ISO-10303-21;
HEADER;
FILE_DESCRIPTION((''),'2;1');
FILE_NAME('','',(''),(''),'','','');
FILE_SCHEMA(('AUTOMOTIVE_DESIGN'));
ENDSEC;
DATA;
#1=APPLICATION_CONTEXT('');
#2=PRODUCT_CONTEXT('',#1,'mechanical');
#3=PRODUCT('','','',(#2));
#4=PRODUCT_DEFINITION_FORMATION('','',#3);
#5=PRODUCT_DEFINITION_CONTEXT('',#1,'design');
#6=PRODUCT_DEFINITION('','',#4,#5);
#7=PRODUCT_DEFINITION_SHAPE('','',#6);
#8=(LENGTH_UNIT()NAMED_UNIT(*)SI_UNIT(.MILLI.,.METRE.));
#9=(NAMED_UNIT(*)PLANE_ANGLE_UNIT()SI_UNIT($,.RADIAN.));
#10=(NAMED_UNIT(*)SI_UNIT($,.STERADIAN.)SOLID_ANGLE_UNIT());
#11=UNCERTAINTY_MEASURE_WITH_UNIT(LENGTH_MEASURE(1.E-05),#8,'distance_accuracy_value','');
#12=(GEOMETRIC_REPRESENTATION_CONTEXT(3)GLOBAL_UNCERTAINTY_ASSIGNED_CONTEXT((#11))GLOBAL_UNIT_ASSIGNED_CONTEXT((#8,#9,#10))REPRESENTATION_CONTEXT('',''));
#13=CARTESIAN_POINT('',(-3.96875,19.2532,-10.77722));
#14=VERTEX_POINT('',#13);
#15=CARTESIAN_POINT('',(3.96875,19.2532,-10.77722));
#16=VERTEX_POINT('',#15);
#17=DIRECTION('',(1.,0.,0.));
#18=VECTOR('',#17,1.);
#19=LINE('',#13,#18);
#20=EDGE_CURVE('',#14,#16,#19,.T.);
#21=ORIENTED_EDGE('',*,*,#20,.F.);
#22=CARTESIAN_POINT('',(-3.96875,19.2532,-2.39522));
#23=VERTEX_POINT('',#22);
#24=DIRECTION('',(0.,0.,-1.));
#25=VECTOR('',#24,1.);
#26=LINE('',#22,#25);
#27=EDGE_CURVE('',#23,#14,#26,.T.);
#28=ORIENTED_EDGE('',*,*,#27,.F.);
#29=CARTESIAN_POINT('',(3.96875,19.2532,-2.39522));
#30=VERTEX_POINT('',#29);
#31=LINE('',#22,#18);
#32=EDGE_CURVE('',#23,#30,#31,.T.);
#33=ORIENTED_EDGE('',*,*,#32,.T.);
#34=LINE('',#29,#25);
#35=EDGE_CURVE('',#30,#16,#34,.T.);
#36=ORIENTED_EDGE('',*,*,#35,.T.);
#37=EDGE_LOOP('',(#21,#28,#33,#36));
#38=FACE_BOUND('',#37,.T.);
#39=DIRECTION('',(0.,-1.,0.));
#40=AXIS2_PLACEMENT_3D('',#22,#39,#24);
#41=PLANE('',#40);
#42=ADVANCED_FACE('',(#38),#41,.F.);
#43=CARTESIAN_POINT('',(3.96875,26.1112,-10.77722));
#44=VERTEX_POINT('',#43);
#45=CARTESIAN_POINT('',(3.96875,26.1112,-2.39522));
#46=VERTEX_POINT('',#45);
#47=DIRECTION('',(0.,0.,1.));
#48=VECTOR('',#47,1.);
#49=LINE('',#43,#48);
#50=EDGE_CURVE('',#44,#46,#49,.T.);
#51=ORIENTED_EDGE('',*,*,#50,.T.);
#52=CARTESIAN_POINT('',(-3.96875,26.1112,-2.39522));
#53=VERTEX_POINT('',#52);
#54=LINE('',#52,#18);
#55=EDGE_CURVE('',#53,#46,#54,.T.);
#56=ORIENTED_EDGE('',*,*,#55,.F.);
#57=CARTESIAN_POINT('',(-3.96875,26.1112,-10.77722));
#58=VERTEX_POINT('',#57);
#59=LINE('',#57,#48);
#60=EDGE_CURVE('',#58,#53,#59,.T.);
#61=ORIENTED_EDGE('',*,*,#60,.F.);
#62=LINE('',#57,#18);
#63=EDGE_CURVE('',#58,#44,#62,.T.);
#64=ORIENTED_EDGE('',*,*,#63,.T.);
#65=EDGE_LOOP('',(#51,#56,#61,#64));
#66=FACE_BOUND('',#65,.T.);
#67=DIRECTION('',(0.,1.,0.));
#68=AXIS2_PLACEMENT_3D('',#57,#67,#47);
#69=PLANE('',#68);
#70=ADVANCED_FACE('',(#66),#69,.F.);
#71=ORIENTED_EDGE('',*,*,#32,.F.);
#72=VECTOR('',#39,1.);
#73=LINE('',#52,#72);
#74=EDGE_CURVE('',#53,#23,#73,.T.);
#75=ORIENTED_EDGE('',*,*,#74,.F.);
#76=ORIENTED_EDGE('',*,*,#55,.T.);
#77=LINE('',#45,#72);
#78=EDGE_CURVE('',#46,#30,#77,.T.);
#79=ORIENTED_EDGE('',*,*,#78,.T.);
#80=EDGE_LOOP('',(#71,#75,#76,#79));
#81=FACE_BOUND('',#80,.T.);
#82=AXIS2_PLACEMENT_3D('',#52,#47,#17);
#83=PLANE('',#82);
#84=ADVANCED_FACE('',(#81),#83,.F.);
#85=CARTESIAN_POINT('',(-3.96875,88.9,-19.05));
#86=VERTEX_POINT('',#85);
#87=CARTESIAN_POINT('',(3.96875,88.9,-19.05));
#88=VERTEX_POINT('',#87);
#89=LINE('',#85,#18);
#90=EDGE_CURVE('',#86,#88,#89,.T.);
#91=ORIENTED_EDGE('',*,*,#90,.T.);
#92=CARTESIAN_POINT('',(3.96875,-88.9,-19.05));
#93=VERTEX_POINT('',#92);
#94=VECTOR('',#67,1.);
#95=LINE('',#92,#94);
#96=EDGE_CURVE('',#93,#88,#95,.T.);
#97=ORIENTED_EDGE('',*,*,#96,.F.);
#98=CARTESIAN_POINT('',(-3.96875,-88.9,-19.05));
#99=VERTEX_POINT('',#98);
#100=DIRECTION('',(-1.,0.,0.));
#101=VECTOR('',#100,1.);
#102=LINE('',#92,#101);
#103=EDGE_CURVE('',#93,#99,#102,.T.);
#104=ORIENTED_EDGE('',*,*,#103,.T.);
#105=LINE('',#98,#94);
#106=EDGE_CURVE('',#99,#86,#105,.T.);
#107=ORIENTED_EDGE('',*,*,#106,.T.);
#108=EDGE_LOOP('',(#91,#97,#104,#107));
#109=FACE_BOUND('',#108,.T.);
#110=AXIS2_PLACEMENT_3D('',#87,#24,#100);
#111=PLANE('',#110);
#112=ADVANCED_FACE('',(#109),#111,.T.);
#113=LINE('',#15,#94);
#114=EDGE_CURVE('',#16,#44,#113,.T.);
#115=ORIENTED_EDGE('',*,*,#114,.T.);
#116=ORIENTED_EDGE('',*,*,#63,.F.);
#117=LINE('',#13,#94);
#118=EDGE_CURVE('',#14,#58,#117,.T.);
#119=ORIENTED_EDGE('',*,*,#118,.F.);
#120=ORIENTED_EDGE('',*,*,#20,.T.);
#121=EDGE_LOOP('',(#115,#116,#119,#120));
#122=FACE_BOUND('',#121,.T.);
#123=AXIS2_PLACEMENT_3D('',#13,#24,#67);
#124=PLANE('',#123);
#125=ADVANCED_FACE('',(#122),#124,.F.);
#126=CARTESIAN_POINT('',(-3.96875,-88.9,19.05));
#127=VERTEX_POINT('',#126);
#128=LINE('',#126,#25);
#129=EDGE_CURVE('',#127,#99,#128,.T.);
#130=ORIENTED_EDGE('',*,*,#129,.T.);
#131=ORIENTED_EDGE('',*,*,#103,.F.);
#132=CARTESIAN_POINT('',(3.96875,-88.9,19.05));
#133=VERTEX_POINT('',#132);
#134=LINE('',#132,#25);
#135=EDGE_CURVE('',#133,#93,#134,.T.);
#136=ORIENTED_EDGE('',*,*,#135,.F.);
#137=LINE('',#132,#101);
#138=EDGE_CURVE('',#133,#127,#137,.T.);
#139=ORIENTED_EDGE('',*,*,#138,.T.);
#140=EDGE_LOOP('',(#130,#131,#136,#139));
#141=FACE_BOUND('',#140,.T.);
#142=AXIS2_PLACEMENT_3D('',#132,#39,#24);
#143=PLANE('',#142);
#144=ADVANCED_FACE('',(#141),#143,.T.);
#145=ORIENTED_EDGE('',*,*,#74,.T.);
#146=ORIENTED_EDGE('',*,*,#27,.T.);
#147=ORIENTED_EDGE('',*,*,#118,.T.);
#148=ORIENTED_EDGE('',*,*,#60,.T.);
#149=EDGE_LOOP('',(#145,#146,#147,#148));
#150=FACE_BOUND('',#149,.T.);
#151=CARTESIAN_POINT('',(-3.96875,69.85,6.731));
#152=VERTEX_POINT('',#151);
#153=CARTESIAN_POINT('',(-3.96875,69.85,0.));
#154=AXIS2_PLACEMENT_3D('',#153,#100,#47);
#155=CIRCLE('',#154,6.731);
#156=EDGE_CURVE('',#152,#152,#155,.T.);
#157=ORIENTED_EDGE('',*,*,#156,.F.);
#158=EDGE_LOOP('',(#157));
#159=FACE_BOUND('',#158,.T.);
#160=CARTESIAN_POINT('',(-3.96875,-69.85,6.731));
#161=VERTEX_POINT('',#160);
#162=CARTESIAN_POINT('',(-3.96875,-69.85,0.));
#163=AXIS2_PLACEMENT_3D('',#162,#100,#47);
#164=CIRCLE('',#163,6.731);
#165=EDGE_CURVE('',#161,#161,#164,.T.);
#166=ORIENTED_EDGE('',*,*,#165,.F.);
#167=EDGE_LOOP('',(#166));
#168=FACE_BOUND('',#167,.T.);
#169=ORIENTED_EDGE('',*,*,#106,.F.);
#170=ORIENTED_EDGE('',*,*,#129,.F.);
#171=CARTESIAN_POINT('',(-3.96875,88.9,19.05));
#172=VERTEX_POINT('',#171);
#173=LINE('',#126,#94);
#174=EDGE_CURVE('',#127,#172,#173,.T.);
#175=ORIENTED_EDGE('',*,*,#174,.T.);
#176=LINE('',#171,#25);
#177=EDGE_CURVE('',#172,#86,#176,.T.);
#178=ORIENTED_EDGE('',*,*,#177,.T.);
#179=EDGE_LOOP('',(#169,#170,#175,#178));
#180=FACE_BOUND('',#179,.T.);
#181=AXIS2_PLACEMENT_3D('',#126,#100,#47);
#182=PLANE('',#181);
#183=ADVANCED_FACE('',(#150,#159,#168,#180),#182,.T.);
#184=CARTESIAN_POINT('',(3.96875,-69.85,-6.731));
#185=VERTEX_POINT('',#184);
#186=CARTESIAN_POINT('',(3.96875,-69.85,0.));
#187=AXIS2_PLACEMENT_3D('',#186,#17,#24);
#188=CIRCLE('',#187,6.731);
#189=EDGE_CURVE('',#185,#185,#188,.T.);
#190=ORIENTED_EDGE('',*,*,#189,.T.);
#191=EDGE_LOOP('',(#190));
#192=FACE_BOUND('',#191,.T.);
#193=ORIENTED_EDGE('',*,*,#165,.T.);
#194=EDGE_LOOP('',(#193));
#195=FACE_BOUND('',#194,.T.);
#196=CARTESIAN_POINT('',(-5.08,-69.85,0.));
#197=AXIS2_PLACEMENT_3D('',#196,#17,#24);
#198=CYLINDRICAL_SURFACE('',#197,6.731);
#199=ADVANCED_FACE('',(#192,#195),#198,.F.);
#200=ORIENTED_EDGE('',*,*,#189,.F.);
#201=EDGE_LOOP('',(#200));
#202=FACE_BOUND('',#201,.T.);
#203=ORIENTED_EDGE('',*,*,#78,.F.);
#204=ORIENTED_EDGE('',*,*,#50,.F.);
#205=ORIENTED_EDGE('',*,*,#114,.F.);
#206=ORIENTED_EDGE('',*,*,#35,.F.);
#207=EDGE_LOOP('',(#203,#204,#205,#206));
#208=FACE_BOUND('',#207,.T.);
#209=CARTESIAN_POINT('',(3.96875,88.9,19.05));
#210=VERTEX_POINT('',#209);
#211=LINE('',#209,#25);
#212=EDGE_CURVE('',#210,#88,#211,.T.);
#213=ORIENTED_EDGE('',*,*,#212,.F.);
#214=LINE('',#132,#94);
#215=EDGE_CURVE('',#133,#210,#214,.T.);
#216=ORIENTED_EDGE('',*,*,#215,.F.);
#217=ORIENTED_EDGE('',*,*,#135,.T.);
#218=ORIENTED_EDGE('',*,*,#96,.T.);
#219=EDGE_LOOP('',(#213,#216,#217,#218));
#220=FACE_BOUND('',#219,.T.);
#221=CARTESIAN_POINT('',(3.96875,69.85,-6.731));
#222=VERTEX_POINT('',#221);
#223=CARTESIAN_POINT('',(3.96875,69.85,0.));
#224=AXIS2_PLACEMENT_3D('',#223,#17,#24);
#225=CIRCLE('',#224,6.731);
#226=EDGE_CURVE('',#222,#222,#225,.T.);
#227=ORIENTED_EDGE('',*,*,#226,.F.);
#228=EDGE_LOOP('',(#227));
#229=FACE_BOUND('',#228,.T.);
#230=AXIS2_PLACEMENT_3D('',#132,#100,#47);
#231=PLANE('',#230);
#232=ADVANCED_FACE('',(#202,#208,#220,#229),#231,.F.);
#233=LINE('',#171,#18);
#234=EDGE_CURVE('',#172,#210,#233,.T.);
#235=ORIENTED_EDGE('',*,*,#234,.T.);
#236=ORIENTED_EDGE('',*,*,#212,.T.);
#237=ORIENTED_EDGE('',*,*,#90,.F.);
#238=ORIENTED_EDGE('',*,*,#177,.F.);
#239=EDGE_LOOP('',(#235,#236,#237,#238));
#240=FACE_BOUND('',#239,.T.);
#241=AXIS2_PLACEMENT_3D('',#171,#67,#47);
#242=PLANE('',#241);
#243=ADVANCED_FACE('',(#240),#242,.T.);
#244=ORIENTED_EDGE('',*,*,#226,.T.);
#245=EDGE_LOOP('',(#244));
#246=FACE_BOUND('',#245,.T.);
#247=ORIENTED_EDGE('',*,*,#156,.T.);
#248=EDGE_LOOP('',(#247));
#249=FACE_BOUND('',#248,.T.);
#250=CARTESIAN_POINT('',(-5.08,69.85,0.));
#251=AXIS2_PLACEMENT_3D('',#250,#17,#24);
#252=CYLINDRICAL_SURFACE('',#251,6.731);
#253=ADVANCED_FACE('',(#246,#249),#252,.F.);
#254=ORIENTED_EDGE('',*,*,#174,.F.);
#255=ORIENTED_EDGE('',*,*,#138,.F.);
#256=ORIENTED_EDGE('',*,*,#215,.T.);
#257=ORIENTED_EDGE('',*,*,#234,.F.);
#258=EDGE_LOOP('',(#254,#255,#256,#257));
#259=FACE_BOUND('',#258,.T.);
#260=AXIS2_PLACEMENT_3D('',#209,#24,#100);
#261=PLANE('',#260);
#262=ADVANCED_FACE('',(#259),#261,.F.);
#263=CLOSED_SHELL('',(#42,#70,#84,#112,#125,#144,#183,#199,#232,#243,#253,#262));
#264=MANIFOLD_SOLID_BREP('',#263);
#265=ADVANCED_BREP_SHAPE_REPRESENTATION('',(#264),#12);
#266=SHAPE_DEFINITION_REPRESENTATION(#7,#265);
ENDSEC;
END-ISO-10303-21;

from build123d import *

# Parameters (mm, degrees)
SKETCH1_W               = 7.9375
SKETCH1_H               = 177.8
EXTRUDE_THIN1_DEPTH     = 19.05
SKETCH2_R               = 6.731
CUT_EXTRUDE1_DEPTH      = 4.96875
CUT_EXTRUDE1_DEPTH_BACK = 5.08
SKETCH3_W               = 8.382
SKETCH3_H               = 6.858
CUT_EXTRUDE2_DEPTH      = 4.96875
CUT_EXTRUDE2_DEPTH_BACK = 4.96875


with BuildPart() as part:
    # Sketch1 → Extrude-Thin1 (new body, symmetric)
    with BuildSketch(Plane.XY):
        Rectangle(SKETCH1_W, SKETCH1_H)
    extrude(amount=EXTRUDE_THIN1_DEPTH, both=True)

    # Sketch2 → Cut-Extrude1 (cut, two sides)
    with BuildSketch(Plane(origin=(0, 0, 0), x_dir=(0, 0, -1), z_dir=(1, 0, 0))) as cut_extrude1_sk:
        with Locations((0, 69.85)):
            Circle(SKETCH2_R)
        with Locations((0, -69.85)):
            Circle(SKETCH2_R)
    extrude(amount=CUT_EXTRUDE1_DEPTH, mode=Mode.SUBTRACT)
    extrude(cut_extrude1_sk.sketch, amount=-CUT_EXTRUDE1_DEPTH_BACK, mode=Mode.SUBTRACT)

    # Sketch3 → Cut-Extrude2 (cut, two sides)
    with BuildSketch(Plane(origin=(0, 0, 0), x_dir=(0, 0, -1), z_dir=(1, 0, 0))) as cut_extrude2_sk:
        with Locations((6.58622, 22.6822)):
            Rectangle(SKETCH3_W, SKETCH3_H)
    extrude(amount=CUT_EXTRUDE2_DEPTH, mode=Mode.SUBTRACT)
    extrude(cut_extrude2_sk.sketch, amount=-CUT_EXTRUDE2_DEPTH_BACK, mode=Mode.SUBTRACT)


solid = part.part
